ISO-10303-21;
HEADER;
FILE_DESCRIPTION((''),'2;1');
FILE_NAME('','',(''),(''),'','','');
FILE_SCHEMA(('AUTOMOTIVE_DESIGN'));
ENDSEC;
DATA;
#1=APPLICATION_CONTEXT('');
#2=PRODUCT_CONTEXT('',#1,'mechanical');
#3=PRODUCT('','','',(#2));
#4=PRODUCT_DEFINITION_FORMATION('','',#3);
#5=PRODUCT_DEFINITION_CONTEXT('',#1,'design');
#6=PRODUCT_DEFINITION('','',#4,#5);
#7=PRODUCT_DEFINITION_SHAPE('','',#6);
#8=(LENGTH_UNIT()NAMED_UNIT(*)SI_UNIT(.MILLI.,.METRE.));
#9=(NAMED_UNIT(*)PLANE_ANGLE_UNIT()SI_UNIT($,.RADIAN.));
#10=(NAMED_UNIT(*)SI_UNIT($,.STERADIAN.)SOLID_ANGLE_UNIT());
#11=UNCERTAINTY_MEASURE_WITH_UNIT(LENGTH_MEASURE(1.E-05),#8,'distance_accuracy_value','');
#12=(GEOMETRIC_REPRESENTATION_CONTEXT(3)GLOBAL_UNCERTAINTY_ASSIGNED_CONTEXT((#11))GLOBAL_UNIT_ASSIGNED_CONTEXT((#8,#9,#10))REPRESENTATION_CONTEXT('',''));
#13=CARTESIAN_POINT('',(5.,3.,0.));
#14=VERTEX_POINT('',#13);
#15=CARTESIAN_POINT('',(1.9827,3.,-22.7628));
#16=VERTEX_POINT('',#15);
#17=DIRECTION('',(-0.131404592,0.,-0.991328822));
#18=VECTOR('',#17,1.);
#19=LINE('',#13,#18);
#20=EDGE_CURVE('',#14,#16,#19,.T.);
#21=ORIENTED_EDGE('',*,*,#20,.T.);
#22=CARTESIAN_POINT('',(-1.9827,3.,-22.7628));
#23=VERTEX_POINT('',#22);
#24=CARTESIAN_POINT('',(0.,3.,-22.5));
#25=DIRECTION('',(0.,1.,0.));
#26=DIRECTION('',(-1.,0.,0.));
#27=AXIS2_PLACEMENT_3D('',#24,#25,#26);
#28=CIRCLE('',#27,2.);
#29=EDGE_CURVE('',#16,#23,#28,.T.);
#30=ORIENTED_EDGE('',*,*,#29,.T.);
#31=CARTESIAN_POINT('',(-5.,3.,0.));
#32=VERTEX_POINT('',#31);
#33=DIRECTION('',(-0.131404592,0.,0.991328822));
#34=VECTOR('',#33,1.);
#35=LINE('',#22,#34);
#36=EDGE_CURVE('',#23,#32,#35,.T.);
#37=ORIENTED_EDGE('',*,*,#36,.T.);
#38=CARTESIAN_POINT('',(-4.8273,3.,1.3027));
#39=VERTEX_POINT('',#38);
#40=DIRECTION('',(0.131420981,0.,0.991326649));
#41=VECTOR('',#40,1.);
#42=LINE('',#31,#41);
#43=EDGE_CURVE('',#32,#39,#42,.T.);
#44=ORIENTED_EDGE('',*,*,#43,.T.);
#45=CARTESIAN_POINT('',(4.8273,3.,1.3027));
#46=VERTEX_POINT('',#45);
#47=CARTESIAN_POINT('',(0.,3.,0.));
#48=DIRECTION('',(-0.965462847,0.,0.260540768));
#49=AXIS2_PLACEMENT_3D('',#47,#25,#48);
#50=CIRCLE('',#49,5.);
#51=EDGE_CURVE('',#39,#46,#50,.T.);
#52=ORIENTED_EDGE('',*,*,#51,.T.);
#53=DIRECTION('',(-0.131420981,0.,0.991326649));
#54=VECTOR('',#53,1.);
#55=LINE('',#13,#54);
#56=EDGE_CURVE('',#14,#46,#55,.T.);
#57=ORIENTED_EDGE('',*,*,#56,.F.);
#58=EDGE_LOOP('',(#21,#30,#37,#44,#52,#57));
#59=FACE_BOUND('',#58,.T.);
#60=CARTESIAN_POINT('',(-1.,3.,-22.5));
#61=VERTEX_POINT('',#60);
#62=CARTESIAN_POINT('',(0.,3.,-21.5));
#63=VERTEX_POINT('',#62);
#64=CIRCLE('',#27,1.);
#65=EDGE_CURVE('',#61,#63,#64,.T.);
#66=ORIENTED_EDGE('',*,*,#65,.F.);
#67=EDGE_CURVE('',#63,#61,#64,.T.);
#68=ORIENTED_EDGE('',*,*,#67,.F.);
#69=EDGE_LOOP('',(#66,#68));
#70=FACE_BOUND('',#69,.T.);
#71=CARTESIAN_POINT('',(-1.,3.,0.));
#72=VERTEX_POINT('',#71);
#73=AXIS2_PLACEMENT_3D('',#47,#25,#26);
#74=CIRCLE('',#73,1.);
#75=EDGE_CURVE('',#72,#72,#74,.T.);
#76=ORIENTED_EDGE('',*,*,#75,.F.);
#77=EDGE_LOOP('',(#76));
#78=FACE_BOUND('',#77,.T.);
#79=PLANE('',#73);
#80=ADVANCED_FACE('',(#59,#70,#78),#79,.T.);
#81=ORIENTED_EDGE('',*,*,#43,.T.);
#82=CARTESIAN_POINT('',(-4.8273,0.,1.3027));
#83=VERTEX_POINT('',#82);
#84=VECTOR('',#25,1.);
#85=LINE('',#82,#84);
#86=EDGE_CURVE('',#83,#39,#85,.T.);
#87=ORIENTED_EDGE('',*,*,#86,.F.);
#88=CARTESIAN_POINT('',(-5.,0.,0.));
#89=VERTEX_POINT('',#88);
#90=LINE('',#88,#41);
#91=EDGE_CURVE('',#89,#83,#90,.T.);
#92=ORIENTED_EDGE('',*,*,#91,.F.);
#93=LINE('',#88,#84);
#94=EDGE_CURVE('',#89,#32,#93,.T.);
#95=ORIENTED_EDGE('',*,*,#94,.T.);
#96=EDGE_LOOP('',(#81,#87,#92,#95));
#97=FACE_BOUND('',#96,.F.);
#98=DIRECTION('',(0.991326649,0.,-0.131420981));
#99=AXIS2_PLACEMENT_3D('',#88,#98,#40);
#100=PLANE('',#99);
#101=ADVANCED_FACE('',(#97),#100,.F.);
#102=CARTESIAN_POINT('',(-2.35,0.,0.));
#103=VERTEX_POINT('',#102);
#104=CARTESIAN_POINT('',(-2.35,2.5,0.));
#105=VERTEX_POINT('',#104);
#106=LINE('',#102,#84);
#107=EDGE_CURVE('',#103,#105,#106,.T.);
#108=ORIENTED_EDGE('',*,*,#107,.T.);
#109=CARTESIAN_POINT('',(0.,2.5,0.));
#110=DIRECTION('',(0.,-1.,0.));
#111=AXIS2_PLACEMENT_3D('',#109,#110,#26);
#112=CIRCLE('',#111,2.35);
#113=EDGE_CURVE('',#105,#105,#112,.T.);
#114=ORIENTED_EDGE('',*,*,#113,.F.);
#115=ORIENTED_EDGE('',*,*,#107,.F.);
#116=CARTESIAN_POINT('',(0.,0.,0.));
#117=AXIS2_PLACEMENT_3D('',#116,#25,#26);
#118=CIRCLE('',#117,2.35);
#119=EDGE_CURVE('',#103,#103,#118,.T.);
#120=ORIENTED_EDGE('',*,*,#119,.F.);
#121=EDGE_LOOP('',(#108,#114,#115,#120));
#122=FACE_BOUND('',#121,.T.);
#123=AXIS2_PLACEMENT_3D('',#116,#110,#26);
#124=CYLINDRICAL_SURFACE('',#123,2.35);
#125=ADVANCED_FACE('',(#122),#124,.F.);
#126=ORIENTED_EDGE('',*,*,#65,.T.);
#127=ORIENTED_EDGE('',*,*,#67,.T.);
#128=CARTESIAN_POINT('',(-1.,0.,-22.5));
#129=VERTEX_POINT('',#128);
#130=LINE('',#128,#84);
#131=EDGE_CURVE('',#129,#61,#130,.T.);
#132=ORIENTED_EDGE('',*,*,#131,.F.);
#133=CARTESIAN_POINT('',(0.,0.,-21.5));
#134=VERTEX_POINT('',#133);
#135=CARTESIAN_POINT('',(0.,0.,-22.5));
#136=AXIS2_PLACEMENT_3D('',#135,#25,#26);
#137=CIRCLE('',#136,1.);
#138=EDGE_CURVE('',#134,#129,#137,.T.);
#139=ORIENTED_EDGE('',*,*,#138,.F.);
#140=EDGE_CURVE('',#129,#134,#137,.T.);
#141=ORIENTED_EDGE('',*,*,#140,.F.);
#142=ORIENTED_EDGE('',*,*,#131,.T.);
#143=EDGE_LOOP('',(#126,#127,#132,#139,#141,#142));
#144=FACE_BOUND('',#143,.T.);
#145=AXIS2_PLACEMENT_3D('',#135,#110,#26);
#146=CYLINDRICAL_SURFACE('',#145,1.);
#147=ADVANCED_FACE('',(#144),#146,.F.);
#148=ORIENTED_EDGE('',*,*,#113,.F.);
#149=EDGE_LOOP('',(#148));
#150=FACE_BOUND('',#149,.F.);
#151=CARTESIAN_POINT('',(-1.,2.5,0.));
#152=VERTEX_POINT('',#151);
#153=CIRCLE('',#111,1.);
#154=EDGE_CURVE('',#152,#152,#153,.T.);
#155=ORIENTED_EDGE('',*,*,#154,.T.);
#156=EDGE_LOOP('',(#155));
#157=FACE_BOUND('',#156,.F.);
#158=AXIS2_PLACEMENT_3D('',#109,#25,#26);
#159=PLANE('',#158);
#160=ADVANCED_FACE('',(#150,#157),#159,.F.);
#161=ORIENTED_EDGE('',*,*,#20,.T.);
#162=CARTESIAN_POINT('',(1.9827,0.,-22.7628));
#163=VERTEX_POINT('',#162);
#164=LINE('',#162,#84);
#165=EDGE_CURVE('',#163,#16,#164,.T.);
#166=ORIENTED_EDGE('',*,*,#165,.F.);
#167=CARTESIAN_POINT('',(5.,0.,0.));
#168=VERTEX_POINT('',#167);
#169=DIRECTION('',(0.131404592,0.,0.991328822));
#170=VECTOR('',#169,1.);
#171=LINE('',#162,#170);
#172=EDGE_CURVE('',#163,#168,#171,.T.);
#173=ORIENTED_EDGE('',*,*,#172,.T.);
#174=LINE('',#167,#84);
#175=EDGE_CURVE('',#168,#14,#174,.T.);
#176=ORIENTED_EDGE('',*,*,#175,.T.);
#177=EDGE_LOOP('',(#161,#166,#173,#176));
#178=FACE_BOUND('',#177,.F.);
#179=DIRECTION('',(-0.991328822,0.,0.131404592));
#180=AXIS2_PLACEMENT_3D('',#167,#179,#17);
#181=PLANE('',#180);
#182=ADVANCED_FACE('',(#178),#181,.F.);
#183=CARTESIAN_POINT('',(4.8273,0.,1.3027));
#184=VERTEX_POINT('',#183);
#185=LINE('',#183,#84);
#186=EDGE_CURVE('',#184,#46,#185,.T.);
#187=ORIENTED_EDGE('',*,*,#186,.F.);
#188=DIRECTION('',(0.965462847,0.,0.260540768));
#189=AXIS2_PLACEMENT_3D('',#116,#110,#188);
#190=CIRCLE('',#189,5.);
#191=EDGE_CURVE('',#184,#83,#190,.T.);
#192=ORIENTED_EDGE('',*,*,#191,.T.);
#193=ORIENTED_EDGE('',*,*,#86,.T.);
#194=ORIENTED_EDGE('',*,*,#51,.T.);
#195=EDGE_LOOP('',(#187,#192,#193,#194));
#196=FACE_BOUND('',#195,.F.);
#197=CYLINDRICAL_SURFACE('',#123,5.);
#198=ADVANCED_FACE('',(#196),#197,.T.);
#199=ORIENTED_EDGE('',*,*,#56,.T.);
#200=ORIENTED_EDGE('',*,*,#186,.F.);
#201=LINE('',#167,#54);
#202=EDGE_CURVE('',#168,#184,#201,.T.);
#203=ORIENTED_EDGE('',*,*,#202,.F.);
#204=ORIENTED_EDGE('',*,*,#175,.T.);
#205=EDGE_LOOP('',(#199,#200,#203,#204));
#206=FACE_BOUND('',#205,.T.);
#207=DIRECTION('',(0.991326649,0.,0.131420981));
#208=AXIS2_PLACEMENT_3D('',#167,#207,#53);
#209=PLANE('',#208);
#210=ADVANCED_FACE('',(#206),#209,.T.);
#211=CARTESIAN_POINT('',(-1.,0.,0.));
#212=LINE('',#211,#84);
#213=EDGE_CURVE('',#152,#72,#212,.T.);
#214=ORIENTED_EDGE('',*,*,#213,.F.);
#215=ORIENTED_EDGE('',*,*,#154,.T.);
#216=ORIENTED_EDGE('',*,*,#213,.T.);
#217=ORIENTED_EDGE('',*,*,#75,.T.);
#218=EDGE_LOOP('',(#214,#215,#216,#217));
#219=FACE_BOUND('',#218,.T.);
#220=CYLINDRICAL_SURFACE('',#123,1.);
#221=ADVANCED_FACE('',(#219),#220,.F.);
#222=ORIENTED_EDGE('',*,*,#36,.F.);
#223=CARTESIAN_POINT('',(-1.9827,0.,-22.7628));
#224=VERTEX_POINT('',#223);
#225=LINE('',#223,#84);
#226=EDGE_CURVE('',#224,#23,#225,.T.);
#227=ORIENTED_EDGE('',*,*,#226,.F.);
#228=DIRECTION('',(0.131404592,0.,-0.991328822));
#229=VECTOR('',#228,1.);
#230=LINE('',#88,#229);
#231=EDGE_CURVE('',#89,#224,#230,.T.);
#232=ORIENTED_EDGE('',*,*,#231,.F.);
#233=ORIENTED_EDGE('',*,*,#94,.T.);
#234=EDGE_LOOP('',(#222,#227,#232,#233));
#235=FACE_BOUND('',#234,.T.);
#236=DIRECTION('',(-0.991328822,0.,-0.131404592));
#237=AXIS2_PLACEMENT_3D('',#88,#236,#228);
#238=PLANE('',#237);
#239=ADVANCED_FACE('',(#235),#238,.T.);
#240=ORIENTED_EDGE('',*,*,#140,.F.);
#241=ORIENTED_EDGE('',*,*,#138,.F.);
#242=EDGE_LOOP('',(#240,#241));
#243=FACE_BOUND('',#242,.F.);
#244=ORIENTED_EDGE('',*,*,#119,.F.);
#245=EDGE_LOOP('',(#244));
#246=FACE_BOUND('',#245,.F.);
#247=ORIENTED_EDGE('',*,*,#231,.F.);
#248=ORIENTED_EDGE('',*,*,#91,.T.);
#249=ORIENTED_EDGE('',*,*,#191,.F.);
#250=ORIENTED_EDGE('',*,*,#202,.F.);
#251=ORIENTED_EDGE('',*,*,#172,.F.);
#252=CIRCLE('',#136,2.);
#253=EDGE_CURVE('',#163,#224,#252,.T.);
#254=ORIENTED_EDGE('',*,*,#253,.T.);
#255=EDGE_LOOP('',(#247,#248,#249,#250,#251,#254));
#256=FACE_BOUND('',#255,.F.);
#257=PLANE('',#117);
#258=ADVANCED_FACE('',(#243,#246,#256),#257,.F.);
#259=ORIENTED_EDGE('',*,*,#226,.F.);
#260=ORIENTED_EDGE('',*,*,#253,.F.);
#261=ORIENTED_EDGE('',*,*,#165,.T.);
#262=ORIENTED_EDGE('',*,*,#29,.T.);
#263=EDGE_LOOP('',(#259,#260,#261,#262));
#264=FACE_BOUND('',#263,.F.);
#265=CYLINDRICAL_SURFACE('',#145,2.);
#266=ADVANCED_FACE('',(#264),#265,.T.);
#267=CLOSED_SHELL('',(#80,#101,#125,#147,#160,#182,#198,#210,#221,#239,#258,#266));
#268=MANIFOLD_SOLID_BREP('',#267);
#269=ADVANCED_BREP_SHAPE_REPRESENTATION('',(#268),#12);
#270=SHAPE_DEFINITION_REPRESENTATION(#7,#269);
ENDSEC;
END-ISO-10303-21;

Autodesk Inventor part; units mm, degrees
ref_plane "YZ Plane" through (0, 0, 0) normal (1, 0, 0) x (0, 1, 0)
ref_plane "XZ Plane" through (0, 0, 0) normal (0, 1, 0) x (-1, 0, 0)
ref_plane "XY Plane" through (0, 0, 0) normal (0, 0, 1) x (1, 0, 0)
sketch "Sketch1" plane through (0, 0, 0) normal (0, 1, 0) x (-1, 0, 0)
  circle A0 centre (0, 0) radius 2.35
  line L0 (0, 0) -> (0, -22.5)
  circle A1 centre (0, -22.5) radius 1
  circle A2 centre (0, 22.5) radius 1
  circle A3 centre (0, -22.5) radius 2
  circle A4 centre (0, 22.5) radius 2
  circle A5 centre (0, 0) radius 5
  line L1 (5, 0) -> (4.8273, 1.3027)
  line L2 (-5, 0) -> (-4.8273, 1.3027)
  line L3 (-5, 0) -> (-1.9827, -22.7628)
  line L4 (5, 0) -> (1.9827, -22.7628)
  circle A6 centre (0, 0) radius 1
  line L5 (0, 0) -> (0, 5)
  line L6 (0, 20.5) -> (0, 22.5)
  dimension "d6" = 4
  dimension "d0" = 4.7
  dimension "d1" = 22.5
  dimension "d2" = 22.5
  dimension "d3" = 2
  dimension "d4" = 2
  dimension "d5" = 4
  dimension "d7" = 10
  dimension "d8" = 2
extrude "Extrusion3" add sketch "Sketch1" along normal blind 3 contours A0 L0 A6 L5 | A0 L5 A5 L1 L4 L0 | L5 A6 L0 A0 | A0 L0 A5 L3 L2 L5 | A5 L4 A3 L0 | L0 A3 L3 A5 | A3
extrude "Extrusion4" cut sketch "Sketch1" along normal blind 2.5 contours A0 L0 A6 L5 | L5 A6 L0 A0
properties part number "ServoYAxis"
